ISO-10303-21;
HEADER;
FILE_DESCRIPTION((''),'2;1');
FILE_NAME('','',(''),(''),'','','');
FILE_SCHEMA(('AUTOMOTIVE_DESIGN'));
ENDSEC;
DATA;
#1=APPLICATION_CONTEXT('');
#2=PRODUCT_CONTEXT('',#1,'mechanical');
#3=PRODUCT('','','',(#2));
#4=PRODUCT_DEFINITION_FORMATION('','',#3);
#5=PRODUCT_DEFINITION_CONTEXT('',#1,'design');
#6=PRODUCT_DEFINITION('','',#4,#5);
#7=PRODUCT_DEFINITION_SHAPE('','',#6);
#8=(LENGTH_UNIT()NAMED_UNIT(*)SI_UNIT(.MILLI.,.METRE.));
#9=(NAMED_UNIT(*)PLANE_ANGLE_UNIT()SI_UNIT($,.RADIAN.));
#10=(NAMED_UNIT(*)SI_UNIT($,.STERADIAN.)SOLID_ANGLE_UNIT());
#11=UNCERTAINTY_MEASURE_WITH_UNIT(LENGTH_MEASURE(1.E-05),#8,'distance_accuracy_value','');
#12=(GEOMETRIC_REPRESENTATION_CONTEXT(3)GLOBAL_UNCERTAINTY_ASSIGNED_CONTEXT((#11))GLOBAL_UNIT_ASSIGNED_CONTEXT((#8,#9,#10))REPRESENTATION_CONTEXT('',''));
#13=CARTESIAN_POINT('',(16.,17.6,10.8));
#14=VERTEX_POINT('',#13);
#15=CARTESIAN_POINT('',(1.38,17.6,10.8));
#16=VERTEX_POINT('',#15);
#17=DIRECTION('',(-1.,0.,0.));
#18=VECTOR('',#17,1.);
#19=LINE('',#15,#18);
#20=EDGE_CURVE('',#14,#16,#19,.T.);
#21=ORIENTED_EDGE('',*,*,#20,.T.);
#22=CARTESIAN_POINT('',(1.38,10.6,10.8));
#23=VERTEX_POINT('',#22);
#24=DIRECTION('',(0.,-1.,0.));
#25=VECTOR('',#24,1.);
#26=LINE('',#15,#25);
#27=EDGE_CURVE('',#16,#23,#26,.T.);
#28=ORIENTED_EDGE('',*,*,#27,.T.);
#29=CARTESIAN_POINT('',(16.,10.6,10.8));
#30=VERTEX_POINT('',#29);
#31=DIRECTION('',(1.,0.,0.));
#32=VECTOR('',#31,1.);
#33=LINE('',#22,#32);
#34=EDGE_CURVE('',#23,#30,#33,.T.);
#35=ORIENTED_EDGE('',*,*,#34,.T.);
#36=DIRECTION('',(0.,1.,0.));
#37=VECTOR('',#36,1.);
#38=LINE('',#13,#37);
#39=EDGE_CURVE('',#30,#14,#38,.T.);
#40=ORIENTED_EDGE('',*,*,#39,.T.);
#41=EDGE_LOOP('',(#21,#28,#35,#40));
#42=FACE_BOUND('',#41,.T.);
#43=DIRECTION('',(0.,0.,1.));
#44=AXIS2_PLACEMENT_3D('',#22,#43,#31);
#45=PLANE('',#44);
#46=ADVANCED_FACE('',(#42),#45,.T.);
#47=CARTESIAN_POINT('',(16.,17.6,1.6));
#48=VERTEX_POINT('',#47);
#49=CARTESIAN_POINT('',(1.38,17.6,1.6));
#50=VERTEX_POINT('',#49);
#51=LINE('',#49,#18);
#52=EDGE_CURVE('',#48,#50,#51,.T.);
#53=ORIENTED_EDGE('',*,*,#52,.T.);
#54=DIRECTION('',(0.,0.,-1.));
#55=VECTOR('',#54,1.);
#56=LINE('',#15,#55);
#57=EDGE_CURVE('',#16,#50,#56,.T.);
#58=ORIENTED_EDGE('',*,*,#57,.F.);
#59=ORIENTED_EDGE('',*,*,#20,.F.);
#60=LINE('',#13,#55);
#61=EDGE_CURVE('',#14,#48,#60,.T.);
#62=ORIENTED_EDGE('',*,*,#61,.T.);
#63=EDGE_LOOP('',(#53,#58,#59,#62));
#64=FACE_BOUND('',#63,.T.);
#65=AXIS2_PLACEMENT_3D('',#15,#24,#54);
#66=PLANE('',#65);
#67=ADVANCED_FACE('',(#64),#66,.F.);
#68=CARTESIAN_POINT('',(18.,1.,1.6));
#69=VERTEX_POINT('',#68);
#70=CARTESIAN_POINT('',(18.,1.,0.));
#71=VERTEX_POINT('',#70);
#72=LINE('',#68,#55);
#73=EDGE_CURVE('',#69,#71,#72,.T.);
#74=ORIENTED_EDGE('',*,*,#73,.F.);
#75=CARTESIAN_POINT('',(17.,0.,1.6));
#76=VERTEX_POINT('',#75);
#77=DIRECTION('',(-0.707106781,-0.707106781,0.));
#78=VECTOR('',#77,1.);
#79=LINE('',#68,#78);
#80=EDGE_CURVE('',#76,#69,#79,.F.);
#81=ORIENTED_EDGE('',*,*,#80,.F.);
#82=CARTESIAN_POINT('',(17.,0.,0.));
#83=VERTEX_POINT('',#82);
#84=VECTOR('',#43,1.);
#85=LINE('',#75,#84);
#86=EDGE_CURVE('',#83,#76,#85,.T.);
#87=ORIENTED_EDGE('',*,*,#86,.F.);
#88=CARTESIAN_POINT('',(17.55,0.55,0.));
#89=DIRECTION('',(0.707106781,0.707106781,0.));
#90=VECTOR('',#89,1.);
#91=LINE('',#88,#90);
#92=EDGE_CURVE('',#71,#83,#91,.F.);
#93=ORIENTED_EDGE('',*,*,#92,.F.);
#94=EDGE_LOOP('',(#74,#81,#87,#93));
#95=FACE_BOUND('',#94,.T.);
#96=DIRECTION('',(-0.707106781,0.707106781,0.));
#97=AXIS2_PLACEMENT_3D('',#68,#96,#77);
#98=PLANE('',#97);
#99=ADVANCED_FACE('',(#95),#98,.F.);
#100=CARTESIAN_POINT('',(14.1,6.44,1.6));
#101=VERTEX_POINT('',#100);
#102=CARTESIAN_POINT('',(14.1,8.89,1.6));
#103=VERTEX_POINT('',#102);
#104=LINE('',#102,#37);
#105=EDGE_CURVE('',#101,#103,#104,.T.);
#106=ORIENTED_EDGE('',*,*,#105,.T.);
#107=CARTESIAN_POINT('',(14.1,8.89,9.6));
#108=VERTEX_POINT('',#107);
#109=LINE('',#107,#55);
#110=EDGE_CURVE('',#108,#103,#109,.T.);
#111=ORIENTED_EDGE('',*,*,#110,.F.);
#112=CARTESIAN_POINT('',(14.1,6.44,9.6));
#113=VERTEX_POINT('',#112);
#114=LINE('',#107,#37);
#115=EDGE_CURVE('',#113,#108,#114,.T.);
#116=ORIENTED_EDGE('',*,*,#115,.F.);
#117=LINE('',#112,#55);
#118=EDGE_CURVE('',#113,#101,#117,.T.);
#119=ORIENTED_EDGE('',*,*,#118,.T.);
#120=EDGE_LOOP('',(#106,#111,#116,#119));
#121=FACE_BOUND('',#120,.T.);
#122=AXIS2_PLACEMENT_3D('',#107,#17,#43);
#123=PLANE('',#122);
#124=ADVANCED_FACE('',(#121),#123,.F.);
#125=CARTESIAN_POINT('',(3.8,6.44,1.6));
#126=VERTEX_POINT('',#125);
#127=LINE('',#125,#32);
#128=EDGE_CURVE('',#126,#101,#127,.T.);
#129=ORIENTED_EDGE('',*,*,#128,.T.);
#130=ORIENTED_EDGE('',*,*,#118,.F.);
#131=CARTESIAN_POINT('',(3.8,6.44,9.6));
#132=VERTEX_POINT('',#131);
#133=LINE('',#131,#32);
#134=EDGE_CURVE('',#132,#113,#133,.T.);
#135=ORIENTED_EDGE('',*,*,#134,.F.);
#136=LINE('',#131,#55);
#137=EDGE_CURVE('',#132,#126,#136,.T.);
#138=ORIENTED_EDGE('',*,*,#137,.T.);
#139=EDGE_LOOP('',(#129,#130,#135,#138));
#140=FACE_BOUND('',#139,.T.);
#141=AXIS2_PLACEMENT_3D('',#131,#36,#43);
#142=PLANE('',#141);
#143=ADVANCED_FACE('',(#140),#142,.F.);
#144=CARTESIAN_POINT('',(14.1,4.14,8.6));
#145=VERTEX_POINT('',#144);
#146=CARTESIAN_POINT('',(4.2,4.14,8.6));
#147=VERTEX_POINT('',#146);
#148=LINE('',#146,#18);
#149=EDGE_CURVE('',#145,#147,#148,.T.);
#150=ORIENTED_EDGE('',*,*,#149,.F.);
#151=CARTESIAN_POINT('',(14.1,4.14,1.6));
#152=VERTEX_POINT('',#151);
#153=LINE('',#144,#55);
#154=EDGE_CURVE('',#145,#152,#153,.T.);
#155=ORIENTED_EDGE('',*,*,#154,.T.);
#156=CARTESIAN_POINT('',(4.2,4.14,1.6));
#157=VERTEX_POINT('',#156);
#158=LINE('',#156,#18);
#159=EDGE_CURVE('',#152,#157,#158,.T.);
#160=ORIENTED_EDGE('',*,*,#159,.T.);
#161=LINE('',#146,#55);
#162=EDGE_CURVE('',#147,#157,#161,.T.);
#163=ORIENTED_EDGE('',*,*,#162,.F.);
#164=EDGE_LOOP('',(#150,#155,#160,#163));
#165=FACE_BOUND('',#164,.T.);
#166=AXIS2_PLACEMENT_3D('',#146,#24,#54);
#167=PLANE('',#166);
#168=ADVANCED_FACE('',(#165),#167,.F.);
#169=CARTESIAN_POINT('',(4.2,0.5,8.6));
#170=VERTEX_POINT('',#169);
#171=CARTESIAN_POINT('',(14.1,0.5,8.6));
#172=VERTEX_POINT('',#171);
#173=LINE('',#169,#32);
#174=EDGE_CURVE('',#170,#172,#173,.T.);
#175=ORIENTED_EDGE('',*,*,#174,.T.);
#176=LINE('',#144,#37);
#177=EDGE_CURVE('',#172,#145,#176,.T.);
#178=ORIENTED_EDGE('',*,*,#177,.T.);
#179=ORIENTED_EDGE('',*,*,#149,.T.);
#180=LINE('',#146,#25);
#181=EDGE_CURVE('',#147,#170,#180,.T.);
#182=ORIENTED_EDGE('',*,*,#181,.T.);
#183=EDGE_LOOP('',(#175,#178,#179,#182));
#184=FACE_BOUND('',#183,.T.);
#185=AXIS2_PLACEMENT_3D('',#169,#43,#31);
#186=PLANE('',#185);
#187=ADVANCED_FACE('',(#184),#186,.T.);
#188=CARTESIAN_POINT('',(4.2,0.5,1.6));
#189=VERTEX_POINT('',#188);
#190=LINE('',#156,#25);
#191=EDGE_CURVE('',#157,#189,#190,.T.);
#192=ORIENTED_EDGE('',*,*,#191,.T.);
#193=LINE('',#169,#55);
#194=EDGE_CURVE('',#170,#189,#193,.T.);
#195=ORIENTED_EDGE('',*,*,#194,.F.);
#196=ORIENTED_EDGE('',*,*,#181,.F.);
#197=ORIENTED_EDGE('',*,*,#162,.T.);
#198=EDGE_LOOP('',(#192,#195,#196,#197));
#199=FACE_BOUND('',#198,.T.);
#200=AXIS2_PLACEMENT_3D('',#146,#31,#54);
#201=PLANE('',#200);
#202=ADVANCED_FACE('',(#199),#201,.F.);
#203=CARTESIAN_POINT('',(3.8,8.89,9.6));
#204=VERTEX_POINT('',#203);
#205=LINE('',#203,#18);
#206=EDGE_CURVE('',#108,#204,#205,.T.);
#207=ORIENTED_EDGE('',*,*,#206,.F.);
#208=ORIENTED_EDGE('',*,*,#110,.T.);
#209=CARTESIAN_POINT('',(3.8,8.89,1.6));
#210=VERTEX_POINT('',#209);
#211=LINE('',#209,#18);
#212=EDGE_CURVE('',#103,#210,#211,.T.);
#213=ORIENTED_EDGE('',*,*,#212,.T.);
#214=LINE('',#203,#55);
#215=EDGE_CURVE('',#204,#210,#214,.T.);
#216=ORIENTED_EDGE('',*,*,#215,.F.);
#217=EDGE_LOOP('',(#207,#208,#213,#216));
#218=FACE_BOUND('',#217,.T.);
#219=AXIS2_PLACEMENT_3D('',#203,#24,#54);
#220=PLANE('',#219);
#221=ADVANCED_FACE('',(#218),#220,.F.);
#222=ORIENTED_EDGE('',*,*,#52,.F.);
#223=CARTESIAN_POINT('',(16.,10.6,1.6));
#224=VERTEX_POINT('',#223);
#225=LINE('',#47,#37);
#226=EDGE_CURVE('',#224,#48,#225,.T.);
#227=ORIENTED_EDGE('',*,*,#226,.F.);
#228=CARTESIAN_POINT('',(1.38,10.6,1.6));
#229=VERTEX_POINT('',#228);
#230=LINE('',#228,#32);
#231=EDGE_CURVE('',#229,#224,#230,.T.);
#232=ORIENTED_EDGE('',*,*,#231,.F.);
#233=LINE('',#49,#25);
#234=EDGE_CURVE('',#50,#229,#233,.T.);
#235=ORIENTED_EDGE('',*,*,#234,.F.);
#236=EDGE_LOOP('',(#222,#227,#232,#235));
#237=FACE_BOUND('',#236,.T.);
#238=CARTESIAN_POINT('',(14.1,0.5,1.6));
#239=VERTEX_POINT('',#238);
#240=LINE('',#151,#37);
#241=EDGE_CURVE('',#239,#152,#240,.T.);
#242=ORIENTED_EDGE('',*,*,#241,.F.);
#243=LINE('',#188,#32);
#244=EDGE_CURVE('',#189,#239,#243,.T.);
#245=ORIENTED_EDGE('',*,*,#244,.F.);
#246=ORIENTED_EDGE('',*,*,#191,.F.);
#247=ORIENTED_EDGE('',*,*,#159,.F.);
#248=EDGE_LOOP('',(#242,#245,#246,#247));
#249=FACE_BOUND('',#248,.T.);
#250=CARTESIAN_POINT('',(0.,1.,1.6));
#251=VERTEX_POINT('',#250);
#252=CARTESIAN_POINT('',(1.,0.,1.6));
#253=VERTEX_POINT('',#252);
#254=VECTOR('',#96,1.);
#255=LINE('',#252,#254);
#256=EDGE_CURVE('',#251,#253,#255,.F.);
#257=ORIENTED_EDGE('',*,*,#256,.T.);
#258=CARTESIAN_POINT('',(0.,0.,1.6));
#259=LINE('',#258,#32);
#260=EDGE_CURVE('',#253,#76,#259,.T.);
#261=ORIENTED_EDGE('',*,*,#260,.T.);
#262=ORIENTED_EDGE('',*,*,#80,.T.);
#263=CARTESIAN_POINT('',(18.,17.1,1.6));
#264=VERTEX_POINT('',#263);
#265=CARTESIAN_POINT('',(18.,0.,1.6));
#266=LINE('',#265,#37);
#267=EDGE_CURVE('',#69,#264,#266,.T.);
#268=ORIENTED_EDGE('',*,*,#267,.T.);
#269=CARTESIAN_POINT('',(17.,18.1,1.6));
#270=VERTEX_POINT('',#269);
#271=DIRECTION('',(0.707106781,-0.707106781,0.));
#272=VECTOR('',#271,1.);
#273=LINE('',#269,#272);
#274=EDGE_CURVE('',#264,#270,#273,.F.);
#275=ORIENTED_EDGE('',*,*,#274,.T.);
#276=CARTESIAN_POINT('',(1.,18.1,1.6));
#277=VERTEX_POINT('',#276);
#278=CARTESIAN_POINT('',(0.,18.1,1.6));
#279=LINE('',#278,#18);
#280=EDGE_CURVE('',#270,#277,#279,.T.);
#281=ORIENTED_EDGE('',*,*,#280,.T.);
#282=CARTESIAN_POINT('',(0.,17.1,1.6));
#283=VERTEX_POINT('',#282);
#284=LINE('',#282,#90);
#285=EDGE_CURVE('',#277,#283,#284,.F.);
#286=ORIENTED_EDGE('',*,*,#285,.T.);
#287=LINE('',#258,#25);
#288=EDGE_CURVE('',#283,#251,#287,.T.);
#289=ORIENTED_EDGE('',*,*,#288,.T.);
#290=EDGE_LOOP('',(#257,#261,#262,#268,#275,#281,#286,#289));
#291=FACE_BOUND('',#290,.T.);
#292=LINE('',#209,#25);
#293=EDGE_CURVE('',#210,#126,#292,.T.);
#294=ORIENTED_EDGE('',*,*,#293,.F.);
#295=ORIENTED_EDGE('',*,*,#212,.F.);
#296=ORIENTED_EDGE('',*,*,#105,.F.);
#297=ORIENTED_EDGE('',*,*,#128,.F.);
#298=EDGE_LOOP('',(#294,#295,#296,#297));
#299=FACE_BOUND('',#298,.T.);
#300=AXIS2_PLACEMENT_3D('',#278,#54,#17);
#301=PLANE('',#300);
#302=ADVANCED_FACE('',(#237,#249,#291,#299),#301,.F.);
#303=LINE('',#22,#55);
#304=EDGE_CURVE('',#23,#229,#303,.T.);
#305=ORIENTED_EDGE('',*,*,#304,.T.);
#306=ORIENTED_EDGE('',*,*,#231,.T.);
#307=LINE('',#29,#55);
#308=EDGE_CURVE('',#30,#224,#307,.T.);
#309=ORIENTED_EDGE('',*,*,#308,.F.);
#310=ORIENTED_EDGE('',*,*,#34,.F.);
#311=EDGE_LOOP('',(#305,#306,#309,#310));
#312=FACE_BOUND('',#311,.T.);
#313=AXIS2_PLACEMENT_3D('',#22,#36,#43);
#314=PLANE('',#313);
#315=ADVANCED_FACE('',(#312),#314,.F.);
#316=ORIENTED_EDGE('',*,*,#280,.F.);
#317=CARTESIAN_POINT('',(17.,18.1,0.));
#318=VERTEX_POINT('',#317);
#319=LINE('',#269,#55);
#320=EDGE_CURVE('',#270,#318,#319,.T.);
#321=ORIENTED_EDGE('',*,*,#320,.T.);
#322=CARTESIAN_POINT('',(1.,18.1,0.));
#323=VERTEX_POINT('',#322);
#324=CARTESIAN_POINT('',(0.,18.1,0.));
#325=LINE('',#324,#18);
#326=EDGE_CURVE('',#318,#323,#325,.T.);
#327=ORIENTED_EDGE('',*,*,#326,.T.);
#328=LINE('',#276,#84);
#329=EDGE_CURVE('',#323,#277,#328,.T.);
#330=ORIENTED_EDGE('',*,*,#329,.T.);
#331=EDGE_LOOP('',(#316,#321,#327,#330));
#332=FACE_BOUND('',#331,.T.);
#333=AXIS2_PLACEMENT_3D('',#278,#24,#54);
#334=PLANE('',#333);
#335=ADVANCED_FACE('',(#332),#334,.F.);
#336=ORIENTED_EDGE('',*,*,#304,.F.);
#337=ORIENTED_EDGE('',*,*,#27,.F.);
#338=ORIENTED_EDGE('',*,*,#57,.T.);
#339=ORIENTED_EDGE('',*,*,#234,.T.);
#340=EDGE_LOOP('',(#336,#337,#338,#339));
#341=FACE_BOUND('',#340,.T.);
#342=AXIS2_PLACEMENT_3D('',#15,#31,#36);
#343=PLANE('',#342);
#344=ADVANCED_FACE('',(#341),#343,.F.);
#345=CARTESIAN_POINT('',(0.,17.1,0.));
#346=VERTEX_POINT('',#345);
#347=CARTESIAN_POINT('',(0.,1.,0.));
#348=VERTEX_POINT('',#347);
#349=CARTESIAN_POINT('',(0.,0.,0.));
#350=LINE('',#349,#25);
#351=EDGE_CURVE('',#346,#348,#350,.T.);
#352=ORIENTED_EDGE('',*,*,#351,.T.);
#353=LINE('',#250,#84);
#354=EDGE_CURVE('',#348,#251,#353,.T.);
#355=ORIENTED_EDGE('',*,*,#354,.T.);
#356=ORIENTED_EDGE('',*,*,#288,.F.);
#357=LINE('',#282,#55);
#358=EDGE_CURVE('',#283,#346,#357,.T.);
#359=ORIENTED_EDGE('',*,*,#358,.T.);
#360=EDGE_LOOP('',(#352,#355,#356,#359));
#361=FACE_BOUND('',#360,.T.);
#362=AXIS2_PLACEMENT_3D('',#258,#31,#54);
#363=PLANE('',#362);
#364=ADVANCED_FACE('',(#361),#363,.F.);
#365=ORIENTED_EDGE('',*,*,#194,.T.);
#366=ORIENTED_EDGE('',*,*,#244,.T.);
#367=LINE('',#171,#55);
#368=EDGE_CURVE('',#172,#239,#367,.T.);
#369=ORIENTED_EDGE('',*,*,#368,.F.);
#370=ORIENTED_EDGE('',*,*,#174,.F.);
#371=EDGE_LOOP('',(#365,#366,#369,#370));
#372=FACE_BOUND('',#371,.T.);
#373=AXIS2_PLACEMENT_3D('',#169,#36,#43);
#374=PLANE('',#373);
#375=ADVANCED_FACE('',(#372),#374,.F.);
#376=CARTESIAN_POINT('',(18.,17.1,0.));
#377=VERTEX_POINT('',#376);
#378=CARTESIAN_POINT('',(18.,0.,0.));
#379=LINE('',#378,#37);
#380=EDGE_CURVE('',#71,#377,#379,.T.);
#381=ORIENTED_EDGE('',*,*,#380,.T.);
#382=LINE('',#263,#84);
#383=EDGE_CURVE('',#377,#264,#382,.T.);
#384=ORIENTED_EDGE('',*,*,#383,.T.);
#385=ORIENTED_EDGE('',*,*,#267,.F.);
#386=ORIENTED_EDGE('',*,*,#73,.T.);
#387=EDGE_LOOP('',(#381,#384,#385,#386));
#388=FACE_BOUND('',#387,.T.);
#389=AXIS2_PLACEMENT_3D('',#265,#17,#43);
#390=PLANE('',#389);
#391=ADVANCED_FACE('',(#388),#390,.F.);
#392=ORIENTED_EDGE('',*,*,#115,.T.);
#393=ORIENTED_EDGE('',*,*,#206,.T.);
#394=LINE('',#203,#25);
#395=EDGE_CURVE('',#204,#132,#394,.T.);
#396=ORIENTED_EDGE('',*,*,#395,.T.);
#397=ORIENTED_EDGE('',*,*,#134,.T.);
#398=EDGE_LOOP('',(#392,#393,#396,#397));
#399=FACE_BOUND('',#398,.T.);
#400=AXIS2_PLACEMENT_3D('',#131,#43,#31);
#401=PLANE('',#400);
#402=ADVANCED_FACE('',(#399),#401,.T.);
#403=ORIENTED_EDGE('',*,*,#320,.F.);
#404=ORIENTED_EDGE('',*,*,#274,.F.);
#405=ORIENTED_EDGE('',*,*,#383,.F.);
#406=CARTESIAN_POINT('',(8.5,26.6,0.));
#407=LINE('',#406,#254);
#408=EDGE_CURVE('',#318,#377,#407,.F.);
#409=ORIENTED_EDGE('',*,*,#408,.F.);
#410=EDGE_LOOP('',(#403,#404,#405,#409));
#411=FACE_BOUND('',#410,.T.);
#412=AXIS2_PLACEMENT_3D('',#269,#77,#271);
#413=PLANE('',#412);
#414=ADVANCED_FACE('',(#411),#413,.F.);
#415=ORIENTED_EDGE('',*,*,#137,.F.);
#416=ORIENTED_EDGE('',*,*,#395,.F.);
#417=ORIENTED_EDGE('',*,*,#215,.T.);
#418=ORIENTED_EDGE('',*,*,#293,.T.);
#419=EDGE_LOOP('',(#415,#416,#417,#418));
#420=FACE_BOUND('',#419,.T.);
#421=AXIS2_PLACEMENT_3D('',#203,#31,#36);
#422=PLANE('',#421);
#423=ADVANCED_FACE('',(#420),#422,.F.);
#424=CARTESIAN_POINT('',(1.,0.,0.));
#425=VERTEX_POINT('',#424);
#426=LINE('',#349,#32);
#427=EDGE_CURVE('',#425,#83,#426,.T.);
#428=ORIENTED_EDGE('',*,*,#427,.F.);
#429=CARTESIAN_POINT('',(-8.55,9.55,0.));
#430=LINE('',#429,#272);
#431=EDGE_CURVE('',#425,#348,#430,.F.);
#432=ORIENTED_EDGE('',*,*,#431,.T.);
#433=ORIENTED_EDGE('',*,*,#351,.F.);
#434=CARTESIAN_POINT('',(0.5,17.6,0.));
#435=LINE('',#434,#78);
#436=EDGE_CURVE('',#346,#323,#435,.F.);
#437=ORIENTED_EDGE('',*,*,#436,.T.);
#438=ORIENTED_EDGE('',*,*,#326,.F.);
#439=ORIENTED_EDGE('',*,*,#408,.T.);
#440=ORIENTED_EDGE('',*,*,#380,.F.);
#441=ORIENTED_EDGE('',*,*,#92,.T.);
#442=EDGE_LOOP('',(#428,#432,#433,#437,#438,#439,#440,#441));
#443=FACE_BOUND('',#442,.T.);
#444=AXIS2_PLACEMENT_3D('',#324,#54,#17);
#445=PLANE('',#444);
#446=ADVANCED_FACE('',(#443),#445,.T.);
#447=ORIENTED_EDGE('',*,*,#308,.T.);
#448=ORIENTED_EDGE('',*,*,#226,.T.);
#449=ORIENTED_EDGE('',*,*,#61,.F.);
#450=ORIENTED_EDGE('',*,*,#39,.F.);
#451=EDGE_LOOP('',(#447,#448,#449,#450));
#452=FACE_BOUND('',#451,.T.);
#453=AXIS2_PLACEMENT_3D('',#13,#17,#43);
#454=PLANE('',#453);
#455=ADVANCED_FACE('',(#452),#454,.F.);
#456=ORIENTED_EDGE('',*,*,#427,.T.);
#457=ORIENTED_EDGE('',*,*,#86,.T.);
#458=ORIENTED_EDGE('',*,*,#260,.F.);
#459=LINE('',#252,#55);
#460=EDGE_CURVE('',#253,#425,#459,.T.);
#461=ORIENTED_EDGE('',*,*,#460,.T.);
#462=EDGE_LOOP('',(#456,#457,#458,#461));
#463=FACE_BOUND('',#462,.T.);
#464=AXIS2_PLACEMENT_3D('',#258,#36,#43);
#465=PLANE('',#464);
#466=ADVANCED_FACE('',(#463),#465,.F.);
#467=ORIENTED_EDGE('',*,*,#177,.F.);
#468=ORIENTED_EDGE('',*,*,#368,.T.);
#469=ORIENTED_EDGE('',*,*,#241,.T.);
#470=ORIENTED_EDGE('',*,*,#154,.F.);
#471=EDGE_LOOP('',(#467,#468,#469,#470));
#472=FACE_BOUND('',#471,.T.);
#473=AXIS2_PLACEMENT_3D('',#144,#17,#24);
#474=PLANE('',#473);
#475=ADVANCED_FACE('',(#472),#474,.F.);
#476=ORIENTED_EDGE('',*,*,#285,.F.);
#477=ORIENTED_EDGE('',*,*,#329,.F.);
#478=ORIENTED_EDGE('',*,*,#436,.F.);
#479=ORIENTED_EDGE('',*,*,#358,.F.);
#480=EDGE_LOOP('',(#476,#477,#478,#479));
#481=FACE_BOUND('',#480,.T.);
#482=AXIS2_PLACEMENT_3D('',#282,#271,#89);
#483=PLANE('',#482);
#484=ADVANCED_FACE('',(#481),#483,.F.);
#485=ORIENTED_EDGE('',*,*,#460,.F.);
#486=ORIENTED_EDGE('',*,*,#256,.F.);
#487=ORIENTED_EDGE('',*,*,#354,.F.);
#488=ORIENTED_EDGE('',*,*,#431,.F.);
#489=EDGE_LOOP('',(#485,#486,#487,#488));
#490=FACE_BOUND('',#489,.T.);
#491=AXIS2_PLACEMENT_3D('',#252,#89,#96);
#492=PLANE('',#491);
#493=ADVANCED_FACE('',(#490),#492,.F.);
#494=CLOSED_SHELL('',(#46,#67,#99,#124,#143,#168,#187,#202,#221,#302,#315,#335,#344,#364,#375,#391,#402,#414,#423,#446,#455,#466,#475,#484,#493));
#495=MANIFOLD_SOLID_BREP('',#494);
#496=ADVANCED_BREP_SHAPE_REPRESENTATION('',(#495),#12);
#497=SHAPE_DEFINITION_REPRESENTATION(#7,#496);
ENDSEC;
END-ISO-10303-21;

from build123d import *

# Parameters (mm, degrees)
SKETCH1_W           = 18
SKETCH1_H           = 18.1
BOSS_EXTRUDE1_DEPTH = 1.6
CHAMFER1_SIZE       = 1
SKETCH2_W           = 9.9
SKETCH2_H           = 3.64
BOSS_EXTRUDE2_DEPTH = 7
SKETCH3_W           = 10.3
SKETCH3_H           = 2.45
BOSS_EXTRUDE3_DEPTH = 8
SKETCH4_W           = 14.62
SKETCH4_H           = 7
BOSS_EXTRUDE4_DEPTH = 9.2


with BuildPart() as part:
    # Sketch1 → Boss-Extrude1 (new body)
    with BuildSketch(Plane.XY):
        with Locations((9, 9.05)):
            Rectangle(SKETCH1_W, SKETCH1_H)
    extrude(amount=BOSS_EXTRUDE1_DEPTH)

    # Chamfer1
    chamfer1_edges = [part.edges().sort_by_distance(p)[0] for p in [
        (0, 18.1, 0.8),
        (18, 18.1, 0.8),
        (18, 0, 0.8),
        (0, 0, 0.8),
    ]]
    chamfer(chamfer1_edges, length=CHAMFER1_SIZE)

    # Sketch2 → Boss-Extrude2 (add)
    with BuildSketch(Plane.XY.offset(1.6)):
        with Locations((9.15, 2.32)):
            Rectangle(SKETCH2_W, SKETCH2_H)
    extrude(amount=BOSS_EXTRUDE2_DEPTH)

    # Sketch3 → Boss-Extrude3 (add)
    with BuildSketch(Plane.XY.offset(1.6)):
        with Locations((8.95, 7.665)):
            Rectangle(SKETCH3_W, SKETCH3_H)
    extrude(amount=BOSS_EXTRUDE3_DEPTH)

    # Sketch4 → Boss-Extrude4 (add)
    with BuildSketch(Plane.XY.offset(1.6)):
        with Locations((8.69, 14.1)):
            Rectangle(SKETCH4_W, SKETCH4_H)
    extrude(amount=BOSS_EXTRUDE4_DEPTH)


solid = part.part
